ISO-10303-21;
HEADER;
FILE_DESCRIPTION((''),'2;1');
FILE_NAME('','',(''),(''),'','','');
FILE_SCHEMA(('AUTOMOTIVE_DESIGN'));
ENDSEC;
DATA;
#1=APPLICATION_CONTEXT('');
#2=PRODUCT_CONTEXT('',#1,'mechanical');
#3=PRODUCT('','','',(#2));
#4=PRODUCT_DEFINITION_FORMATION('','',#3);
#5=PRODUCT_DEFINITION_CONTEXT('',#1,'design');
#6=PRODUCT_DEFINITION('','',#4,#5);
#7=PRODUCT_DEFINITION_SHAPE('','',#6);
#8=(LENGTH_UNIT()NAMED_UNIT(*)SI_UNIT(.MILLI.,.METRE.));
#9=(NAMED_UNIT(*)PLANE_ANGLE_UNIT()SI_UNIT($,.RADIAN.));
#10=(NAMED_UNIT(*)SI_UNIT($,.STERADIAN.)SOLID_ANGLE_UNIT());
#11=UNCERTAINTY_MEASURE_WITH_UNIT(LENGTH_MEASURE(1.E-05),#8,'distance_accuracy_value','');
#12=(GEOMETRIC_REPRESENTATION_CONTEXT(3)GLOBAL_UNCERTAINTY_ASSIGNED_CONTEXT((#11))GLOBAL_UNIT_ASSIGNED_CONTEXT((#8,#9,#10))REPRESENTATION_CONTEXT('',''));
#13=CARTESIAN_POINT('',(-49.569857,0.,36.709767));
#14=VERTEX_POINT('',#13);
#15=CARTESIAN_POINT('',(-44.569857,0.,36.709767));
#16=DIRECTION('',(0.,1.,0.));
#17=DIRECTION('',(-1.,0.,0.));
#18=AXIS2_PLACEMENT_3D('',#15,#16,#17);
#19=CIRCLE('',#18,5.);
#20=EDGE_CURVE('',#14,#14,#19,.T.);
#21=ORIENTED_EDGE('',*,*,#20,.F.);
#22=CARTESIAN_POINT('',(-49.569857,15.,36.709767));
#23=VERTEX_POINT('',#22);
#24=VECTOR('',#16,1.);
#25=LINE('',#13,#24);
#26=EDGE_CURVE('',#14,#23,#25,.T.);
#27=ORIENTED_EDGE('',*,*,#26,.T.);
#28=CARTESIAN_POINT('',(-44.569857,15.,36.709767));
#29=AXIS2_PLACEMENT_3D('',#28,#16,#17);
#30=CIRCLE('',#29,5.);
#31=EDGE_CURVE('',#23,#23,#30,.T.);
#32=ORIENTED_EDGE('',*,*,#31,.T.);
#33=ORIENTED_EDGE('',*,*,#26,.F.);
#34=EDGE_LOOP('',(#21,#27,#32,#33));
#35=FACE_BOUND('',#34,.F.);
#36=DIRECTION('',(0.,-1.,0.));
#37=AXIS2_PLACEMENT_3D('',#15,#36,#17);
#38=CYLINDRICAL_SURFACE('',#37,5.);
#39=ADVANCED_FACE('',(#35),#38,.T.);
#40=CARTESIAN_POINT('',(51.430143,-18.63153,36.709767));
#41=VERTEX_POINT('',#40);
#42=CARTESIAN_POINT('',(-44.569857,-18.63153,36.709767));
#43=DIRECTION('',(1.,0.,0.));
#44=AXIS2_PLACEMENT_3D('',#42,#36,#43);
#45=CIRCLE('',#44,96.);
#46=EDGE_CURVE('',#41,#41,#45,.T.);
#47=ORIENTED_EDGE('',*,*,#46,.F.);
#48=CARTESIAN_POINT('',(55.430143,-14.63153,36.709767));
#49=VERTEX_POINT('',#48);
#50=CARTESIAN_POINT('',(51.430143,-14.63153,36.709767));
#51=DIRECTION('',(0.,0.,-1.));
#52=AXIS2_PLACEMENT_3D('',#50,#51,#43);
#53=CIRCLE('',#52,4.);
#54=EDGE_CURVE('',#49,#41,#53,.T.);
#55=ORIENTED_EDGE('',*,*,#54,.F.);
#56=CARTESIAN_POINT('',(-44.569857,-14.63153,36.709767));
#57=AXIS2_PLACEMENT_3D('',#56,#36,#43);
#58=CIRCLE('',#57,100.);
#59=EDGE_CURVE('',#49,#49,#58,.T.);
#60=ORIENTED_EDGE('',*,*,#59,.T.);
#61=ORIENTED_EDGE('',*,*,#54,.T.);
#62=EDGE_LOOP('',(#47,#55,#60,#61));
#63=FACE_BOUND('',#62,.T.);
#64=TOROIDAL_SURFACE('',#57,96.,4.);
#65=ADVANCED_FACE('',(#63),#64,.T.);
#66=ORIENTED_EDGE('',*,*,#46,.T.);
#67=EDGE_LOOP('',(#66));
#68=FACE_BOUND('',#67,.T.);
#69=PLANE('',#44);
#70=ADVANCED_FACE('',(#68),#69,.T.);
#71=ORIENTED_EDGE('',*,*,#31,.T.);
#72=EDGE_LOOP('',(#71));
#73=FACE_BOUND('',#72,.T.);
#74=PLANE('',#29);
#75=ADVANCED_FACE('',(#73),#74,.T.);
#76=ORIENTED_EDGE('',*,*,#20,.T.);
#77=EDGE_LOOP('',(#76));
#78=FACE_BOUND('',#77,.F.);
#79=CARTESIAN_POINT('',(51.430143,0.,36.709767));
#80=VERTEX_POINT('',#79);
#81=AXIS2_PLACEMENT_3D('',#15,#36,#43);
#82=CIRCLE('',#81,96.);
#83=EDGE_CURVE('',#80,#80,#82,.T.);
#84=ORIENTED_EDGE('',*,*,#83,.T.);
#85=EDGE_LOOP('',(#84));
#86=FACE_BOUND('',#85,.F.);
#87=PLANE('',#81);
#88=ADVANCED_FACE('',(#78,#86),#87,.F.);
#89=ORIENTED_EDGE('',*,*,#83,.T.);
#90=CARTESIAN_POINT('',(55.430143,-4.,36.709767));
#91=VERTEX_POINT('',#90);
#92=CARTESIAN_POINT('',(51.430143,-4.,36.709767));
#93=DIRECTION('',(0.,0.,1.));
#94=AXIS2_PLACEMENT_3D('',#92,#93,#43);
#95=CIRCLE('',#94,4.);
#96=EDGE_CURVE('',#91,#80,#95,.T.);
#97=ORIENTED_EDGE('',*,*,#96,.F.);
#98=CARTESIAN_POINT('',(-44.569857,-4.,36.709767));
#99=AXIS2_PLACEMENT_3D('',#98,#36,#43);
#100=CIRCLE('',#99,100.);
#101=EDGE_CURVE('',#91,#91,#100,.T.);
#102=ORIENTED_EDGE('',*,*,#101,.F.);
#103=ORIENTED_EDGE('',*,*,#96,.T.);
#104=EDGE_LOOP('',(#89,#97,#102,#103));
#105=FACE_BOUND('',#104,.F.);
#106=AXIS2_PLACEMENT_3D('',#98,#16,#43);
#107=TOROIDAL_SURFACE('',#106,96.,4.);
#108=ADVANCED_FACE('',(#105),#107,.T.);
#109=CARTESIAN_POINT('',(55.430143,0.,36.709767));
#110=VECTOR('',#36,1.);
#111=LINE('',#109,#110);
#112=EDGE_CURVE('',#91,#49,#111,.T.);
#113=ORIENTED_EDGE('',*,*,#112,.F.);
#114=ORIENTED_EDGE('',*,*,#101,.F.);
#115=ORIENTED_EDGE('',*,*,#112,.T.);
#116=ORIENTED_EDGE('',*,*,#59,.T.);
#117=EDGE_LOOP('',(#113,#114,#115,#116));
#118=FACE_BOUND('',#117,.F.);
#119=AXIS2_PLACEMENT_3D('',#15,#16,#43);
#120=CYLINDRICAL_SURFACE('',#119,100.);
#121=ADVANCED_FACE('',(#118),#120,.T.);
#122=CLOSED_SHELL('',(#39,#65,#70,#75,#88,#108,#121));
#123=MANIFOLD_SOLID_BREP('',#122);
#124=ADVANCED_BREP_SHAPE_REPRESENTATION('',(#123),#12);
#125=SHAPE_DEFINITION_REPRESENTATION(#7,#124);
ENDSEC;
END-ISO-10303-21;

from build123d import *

# Parameters (mm, degrees)
F0_R     = 100
F1_DEPTH = 18.63153
F2_R     = 4
F3_R     = 5
F4_DEPTH = 15


with BuildPart() as f1:
    # F0 (on Front) → F1 (new body)
    with BuildSketch(Plane.XZ):
        with Locations((-44.569857, 36.709767)):
            Circle(F0_R)
    extrude(amount=F1_DEPTH)

    # F2
    f2_edges = [f1.edges().sort_by_distance(p)[0] for p in [
        (-144.569857, -18.63153, 36.709767),
        (-144.569857, 0, 36.709767),
    ]]
    fillet(f2_edges, radius=F2_R)

    # F3 (on face) → F4 (join)
    with BuildSketch(Plane(origin=(0, 0, 0), x_dir=(-1, 0, 0), z_dir=(0, 1, 0))):
        with Locations((44.569857, 36.709767)):
            Circle(F3_R)
    extrude(amount=F4_DEPTH)


solid = f1.part
